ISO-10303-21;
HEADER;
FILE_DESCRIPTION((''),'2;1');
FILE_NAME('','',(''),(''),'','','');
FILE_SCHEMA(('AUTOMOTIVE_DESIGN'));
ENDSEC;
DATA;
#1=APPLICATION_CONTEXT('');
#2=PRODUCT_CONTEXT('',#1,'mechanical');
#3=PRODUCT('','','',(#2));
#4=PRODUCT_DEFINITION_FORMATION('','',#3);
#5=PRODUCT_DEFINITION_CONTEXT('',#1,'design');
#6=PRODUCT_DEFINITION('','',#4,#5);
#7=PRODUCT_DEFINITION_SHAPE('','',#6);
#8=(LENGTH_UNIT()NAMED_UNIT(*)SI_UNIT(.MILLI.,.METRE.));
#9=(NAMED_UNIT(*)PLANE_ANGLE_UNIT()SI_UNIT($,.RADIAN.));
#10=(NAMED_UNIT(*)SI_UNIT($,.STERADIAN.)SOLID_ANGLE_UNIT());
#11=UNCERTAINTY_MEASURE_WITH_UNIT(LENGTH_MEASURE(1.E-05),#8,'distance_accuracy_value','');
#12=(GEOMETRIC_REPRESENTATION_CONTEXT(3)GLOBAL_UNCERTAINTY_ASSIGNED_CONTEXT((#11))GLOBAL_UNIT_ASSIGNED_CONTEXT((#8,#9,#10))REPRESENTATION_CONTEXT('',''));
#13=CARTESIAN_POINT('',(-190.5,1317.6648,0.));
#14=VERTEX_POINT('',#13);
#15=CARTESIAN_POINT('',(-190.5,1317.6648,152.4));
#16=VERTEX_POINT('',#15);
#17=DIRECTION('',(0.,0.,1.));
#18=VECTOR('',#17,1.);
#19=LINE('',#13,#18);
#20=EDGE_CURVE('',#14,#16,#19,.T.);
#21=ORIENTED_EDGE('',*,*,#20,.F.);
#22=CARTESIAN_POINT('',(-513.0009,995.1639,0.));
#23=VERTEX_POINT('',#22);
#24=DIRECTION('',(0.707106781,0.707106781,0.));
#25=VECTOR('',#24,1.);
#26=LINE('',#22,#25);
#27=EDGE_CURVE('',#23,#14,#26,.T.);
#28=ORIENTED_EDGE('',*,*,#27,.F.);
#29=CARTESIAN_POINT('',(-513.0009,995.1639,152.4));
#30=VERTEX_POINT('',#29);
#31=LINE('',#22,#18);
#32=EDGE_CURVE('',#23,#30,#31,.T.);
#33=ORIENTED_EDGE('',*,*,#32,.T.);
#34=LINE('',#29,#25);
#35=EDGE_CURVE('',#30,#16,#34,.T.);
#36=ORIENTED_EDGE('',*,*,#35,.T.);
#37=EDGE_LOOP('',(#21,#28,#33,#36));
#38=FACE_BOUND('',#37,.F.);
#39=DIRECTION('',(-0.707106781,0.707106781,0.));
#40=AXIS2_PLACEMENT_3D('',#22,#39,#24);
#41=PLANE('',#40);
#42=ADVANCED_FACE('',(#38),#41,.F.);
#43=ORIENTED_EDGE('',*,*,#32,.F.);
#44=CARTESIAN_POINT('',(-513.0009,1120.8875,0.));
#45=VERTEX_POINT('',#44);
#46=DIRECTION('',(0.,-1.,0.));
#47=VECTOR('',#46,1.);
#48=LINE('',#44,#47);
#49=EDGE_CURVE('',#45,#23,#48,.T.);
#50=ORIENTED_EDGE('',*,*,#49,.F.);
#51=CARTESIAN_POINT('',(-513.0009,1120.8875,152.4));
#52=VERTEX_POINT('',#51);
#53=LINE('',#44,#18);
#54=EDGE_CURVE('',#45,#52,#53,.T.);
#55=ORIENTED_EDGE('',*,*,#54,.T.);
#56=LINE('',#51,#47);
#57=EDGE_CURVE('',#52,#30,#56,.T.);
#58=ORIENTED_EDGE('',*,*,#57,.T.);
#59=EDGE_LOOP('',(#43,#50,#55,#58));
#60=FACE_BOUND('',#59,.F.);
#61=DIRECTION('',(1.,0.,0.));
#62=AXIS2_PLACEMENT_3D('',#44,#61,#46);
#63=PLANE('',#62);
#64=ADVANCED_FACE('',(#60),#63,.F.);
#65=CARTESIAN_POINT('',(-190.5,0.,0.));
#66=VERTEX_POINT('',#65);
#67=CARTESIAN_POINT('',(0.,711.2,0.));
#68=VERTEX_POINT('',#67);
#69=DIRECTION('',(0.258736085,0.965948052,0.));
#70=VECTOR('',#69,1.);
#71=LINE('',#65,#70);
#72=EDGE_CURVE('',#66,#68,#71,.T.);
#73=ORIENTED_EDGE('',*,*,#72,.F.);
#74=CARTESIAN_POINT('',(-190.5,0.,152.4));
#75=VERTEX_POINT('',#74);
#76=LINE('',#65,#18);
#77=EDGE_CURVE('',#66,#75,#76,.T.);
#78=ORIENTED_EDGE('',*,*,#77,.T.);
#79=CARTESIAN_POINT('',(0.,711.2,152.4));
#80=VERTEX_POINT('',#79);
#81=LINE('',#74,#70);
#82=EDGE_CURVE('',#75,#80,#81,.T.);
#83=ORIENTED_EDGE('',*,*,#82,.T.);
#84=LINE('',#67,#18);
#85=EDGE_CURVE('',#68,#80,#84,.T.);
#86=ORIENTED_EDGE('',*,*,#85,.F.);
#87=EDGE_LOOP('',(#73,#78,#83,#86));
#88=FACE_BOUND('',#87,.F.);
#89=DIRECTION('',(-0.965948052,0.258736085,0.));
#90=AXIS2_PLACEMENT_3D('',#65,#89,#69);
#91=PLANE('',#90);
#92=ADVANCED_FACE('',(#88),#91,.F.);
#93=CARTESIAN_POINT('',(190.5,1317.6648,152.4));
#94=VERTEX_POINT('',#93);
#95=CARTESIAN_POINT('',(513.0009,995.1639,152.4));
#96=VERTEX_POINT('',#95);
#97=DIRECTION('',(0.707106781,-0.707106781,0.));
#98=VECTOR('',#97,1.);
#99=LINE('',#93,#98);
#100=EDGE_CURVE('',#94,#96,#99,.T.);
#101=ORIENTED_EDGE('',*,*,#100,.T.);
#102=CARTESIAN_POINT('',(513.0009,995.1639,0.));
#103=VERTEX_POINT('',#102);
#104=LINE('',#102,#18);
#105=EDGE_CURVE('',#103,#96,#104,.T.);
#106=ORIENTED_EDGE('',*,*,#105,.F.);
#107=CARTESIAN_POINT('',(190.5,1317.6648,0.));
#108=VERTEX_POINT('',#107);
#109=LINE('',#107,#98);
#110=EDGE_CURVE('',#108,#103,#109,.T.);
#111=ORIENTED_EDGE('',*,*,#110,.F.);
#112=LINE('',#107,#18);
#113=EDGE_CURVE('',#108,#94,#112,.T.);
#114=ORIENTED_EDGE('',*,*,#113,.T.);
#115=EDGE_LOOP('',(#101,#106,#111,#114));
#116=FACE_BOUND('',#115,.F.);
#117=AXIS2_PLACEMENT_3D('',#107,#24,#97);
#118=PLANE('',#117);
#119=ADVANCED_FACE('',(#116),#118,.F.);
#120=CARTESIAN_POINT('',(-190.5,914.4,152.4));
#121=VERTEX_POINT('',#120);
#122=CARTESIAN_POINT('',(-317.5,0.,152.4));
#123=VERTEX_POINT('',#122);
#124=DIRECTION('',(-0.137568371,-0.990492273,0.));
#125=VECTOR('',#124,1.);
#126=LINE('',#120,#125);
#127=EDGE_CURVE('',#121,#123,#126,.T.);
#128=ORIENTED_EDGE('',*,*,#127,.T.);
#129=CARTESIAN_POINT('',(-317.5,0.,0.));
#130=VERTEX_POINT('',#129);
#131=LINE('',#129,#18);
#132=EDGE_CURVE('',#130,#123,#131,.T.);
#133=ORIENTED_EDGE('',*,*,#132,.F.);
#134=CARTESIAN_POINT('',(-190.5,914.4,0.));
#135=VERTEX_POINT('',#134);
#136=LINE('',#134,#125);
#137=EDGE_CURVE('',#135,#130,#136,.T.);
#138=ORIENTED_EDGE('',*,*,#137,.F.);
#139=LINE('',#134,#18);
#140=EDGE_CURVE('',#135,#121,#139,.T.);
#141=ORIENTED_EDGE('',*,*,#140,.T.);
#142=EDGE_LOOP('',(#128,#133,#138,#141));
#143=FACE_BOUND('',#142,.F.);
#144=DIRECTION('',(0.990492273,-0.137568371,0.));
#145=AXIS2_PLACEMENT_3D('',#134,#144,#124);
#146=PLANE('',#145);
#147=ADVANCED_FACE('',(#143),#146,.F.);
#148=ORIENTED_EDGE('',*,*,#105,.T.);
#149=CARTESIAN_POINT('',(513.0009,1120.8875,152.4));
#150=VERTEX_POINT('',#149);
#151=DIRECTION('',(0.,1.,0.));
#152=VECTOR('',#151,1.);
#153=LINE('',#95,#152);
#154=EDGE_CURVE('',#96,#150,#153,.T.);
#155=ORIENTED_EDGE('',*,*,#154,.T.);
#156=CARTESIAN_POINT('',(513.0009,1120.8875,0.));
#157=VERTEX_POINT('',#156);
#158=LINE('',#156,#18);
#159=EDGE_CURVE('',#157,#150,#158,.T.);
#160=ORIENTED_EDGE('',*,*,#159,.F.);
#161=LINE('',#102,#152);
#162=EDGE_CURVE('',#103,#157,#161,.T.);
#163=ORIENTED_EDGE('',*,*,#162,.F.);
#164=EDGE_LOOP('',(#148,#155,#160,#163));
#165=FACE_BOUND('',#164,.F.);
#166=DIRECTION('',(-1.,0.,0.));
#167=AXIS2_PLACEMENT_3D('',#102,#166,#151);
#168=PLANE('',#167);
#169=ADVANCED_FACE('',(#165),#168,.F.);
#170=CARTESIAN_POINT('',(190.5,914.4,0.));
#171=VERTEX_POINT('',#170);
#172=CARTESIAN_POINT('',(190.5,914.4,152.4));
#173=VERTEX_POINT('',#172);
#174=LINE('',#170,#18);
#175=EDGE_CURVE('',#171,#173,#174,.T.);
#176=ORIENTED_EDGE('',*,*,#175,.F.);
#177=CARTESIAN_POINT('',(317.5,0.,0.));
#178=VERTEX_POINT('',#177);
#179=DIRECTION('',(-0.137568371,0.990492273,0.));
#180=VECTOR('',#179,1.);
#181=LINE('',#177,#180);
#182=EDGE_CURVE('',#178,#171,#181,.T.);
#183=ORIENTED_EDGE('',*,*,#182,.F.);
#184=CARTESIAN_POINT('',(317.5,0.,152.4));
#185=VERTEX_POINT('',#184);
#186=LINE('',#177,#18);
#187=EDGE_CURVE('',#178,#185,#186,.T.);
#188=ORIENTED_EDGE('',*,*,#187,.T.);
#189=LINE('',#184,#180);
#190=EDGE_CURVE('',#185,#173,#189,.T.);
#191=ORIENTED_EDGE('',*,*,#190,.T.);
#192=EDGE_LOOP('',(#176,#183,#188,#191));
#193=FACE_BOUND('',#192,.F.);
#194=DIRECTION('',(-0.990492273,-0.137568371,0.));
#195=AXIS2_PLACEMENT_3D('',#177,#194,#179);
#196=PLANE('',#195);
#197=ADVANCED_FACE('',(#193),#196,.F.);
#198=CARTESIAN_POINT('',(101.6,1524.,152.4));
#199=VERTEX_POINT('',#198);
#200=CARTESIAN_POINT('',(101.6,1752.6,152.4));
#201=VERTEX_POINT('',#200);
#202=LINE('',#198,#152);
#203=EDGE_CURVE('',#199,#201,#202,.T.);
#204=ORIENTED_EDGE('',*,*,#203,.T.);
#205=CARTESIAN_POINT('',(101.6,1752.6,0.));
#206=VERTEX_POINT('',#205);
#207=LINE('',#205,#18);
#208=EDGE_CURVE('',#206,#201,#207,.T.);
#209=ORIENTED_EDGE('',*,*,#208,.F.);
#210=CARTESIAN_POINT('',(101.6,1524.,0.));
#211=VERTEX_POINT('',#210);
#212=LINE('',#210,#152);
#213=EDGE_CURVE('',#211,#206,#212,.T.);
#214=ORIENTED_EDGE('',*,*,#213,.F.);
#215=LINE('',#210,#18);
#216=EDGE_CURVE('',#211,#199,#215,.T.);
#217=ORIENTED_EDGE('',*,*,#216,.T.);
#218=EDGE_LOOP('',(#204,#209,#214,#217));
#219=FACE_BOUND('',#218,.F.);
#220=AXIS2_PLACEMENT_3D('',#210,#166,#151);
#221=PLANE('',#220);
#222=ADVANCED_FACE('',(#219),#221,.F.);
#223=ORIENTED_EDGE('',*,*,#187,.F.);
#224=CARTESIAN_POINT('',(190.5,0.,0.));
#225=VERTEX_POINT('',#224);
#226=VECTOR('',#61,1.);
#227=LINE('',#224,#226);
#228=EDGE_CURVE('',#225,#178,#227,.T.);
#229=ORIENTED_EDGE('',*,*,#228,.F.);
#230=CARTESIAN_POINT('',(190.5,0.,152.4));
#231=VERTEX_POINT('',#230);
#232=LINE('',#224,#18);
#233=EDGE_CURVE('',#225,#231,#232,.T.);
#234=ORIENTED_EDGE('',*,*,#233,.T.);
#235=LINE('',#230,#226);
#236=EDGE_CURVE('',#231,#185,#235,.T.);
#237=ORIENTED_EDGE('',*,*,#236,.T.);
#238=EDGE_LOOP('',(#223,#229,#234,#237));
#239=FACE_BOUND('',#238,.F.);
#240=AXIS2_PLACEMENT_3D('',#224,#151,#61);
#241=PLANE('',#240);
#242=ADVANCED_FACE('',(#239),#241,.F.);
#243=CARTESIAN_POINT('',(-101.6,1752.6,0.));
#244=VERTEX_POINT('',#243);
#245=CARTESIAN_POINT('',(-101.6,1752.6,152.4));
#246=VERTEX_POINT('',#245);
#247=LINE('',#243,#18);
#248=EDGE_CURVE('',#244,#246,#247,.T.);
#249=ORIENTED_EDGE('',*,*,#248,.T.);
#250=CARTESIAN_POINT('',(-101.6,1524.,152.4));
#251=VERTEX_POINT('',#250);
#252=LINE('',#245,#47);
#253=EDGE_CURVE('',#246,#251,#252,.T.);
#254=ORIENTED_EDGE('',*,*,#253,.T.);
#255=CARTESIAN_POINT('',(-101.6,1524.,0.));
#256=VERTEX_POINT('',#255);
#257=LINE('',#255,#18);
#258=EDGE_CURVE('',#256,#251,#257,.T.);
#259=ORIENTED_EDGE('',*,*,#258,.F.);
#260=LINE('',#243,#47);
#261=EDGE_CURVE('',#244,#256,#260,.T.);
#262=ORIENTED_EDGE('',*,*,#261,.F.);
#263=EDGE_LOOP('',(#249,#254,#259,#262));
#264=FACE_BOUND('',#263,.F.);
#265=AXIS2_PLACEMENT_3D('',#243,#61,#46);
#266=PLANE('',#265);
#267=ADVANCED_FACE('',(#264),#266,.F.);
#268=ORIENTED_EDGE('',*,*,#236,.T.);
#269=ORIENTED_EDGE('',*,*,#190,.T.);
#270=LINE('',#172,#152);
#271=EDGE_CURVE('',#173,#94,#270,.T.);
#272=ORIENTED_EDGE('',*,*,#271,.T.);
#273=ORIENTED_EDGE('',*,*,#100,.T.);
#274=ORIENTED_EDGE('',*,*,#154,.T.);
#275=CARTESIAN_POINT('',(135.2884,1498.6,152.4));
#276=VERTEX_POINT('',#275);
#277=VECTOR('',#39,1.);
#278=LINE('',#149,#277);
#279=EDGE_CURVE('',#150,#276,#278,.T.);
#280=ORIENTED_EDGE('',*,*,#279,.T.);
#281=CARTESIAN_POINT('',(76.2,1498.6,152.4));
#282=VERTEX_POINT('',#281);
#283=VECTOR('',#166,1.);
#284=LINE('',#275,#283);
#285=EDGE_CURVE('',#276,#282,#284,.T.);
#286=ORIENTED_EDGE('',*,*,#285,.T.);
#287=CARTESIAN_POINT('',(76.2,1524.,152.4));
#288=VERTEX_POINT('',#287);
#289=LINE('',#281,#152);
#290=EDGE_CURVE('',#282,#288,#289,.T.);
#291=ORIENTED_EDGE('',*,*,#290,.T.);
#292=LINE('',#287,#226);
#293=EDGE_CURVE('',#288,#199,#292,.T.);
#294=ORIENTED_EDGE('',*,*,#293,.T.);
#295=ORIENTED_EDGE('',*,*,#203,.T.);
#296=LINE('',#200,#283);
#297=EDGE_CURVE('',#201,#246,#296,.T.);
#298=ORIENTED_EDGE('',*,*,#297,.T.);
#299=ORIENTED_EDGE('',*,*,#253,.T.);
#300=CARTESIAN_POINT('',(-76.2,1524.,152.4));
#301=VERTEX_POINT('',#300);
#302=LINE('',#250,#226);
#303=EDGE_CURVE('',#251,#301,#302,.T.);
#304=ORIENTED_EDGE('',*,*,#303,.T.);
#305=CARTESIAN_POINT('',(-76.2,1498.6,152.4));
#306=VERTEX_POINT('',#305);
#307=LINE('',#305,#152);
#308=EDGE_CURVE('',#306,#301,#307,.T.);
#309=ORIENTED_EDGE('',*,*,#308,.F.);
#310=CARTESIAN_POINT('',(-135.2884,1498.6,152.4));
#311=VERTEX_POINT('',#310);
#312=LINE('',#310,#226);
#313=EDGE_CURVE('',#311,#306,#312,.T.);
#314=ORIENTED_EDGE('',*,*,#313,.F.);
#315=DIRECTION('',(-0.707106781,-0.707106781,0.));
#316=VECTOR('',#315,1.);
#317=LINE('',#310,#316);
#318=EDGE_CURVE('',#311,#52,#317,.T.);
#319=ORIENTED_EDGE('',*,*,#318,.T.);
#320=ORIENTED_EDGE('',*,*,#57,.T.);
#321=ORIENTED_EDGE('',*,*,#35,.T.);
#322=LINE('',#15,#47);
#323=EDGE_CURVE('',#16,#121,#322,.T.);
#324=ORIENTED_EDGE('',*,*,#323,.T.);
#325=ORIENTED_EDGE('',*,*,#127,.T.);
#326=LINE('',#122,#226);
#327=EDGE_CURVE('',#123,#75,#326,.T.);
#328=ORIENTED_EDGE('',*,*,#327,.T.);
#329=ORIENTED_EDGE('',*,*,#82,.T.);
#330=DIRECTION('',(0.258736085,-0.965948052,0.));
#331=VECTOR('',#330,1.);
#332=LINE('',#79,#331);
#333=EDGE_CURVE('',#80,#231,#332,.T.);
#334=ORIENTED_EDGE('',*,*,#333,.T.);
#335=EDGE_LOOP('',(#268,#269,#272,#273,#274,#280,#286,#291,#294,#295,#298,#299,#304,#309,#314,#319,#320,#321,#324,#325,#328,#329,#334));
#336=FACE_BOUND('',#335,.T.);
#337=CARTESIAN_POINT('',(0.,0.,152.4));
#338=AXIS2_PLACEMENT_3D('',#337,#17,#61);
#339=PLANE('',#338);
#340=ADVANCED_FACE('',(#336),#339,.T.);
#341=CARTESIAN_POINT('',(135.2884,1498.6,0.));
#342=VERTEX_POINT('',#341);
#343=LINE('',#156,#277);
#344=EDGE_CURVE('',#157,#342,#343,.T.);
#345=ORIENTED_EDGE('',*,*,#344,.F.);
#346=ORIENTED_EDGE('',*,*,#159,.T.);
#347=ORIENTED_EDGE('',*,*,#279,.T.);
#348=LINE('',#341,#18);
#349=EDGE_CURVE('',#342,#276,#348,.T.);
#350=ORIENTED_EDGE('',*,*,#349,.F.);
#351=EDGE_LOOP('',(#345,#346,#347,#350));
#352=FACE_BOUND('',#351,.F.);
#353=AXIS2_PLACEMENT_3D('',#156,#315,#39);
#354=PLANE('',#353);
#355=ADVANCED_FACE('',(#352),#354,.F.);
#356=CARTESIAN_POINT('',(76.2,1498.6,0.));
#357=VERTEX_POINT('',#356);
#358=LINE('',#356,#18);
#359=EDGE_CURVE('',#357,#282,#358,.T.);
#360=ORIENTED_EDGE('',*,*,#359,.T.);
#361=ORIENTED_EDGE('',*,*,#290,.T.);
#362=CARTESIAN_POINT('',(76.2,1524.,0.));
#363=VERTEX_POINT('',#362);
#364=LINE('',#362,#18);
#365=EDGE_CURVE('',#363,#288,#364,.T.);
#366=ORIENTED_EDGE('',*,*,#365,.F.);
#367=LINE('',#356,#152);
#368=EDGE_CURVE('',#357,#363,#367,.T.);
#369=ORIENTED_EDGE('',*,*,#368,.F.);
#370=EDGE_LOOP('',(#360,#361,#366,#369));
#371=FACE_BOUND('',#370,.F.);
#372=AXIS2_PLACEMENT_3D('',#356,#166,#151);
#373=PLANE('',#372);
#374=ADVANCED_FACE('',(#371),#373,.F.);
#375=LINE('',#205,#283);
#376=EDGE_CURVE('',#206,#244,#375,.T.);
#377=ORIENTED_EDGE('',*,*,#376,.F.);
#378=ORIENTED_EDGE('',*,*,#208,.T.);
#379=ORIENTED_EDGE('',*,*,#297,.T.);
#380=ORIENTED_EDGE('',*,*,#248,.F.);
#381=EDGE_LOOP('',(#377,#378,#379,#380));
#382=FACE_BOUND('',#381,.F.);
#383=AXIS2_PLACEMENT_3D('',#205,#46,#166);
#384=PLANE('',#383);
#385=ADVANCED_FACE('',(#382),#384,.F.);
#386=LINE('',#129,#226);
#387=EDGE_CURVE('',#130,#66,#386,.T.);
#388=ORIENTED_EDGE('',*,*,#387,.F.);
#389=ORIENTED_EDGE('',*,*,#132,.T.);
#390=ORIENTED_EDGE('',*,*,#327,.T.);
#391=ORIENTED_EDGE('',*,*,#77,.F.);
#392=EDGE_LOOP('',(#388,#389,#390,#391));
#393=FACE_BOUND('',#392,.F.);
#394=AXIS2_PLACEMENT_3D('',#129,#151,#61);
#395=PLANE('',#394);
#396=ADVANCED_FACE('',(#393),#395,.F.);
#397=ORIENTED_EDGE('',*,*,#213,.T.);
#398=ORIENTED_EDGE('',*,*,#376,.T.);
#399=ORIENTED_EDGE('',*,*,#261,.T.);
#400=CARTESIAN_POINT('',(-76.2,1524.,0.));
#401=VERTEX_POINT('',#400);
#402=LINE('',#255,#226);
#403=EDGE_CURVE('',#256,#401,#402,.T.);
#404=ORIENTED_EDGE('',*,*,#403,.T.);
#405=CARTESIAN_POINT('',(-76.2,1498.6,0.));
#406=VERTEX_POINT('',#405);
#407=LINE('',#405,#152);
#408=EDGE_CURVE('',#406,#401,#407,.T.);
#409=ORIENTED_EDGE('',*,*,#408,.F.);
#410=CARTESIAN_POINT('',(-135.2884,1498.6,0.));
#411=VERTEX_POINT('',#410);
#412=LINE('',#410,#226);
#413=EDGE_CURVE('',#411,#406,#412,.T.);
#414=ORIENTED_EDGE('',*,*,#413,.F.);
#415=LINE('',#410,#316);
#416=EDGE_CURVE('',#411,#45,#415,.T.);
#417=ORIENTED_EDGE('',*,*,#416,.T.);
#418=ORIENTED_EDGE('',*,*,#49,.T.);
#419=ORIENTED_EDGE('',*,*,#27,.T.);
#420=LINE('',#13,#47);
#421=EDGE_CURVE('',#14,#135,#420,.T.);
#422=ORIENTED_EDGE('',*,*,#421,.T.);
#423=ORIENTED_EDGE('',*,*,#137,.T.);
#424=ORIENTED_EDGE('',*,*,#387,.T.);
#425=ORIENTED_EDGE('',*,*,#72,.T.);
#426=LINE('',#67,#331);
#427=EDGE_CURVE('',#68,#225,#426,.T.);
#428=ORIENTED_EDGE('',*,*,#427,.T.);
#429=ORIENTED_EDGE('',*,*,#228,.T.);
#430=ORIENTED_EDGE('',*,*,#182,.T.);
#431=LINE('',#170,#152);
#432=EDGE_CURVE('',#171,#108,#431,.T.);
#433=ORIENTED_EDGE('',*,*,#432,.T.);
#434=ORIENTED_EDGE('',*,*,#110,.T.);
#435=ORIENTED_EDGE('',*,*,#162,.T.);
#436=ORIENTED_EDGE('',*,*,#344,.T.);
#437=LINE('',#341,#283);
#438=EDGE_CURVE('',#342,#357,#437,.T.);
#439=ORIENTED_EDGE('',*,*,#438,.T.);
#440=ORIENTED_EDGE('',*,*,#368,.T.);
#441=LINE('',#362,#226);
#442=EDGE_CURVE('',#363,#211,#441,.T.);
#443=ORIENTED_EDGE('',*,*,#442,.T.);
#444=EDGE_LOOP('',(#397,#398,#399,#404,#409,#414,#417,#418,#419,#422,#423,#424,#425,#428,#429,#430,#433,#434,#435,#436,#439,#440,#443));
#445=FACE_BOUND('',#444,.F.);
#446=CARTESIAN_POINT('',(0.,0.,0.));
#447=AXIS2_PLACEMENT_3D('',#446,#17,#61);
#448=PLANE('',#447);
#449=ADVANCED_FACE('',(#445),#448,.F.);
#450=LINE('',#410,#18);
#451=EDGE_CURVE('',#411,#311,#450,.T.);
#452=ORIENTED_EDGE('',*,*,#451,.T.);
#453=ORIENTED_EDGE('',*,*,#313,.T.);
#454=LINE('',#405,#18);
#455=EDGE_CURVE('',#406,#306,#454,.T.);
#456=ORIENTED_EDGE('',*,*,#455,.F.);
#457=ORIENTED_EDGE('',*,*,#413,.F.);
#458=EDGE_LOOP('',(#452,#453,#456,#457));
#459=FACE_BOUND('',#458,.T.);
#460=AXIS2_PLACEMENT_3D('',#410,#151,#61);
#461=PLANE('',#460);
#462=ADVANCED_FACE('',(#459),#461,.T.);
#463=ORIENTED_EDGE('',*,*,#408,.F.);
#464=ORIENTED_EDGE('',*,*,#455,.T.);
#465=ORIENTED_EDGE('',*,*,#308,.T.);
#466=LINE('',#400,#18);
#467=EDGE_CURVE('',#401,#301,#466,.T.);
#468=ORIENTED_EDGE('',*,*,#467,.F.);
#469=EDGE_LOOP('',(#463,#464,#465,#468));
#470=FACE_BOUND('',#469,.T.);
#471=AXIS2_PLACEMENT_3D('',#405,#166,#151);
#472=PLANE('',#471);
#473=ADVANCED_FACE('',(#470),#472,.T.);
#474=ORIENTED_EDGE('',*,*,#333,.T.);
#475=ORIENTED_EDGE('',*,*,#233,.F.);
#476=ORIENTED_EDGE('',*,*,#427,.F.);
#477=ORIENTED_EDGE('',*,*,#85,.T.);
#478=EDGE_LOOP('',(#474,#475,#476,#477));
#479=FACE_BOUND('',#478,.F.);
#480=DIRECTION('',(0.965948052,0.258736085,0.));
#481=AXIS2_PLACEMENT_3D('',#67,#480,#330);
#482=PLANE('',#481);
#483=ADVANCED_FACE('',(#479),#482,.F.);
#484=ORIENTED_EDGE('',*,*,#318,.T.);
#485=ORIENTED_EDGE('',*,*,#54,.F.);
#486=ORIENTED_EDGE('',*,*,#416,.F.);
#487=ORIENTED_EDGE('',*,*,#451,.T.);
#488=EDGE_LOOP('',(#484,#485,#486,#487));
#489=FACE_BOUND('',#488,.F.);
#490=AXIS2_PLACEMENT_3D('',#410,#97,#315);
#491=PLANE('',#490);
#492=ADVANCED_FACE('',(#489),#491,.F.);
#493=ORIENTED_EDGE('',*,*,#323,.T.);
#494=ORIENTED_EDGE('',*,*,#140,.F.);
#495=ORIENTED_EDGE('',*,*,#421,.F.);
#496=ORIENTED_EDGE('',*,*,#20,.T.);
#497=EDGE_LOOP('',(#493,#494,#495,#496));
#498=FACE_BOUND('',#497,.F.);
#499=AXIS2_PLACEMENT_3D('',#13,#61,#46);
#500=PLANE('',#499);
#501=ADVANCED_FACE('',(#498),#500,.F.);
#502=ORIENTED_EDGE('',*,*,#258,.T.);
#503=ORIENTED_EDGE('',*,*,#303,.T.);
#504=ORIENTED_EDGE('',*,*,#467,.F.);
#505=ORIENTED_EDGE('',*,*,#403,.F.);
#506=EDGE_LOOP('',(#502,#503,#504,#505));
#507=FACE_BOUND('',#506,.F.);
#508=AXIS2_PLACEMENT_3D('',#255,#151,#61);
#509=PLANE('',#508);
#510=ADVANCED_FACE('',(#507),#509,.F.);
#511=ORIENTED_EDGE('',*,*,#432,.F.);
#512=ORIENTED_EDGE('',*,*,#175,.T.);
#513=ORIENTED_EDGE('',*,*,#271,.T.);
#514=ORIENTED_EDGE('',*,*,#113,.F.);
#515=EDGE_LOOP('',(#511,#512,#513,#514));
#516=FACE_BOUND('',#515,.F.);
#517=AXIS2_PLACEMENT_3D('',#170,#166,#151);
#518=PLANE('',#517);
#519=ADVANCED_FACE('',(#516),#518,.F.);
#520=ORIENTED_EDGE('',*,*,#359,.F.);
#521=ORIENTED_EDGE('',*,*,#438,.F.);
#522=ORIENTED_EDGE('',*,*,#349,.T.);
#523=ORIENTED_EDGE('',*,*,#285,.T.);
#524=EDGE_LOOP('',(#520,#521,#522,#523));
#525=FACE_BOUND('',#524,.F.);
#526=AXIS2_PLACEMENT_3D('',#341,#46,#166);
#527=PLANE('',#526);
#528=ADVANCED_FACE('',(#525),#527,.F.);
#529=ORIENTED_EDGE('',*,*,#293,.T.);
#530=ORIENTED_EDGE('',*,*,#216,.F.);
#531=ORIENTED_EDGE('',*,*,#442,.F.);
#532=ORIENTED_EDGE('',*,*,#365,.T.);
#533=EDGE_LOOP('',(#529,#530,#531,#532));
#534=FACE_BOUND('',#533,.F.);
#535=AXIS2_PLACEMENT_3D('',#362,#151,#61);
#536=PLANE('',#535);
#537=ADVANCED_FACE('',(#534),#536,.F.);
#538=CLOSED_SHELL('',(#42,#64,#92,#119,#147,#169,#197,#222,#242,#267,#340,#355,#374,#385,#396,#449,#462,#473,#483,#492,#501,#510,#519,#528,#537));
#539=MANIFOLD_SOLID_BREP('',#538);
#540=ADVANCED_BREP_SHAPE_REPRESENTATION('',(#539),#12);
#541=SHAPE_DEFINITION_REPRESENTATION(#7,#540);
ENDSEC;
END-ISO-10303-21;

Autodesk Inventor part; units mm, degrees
ref_plane "YZ Plane" through (0, 0, 0) normal (1, 0, 0) x (0, 1, 0)
ref_plane "XZ Plane" through (0, 0, 0) normal (0, 1, 0) x (-1, 0, 0)
ref_plane "XY Plane" through (0, 0, 0) normal (0, 0, 1) x (1, 0, 0)
sketch "Sketch1" plane through (0, 0, 0) normal (0, 0, 1) x (1, 0, 0)
  line L0 (101.6, 1752.6) -> (-101.6, 1752.6)
  line L1 (-101.6, 1752.6) -> (-101.6, 1524)
  line L2 (-101.6, 1524) -> (-76.2, 1524)
  line L3 (-135.2884, 1498.6) -> (-513.0009, 1120.8875)
  line L4 (-513.0009, 1120.8875) -> (-513.0009, 995.1639)
  line L5 (-513.0009, 995.1639) -> (-190.5, 1317.6648)
  line L6 (-190.5, 1317.6648) -> (-190.5, 914.4)
  line L7 (190.5, 914.4) -> (190.5, 1317.6648)
  line L8 (190.5, 1317.6648) -> (513.0009, 995.1639)
  line L9 (513.0009, 995.1639) -> (513.0009, 1120.8875)
  line L10 (513.0009, 1120.8875) -> (135.2884, 1498.6)
  line L11 (76.2, 1524) -> (101.6, 1524)
  line L12 (101.6, 1524) -> (101.6, 1752.6)
  line L13 (0, 0) -> (0, 1532.4177)
  line L14 (-135.2884, 1498.6) -> (-76.2, 1498.6)
  line L15 (-76.2, 1498.6) -> (-76.2, 1524)
  line L16 (135.2884, 1498.6) -> (76.2, 1498.6)
  line L17 (76.2, 1498.6) -> (76.2, 1524)
  line L18 (0, 0) -> (-46.4986, 0)
  line L19 (-190.5, 914.4) -> (-190.5, 1317.6648)
  line L20 (-513.0009, 995.1639) -> (-513.0009, 1120.8875)
  line L21 (-135.2884, 1498.6) -> (-76.2, 1498.6)
  line L22 (-76.2, 1524) -> (-101.6, 1524)
  line L23 (-101.6, 1752.6) -> (101.6, 1752.6)
  line L24 (101.6, 1524) -> (76.2, 1524)
  line L25 (76.2, 1498.6) -> (135.2884, 1498.6)
  line L26 (513.0009, 1120.8875) -> (513.0009, 995.1639)
  line L27 (190.5, 1317.6648) -> (190.5, 914.4)
  line L28 (-190.5, 914.4) -> (-317.5, 0)
  line L29 (-317.5, 0) -> (-190.5, 0)
  line L30 (-190.5, 0) -> (0, 711.2)
  line L31 (0, 711.2) -> (190.5, 0)
  line L32 (190.5, 0) -> (317.5, 0)
  line L33 (317.5, 0) -> (190.5, 914.4)
  dimension "d2" = 381
  dimension "d19" = 88.9
  dimension "d23" = 1498.6
  dimension "d24" = 228.6
  dimension "d25" = 203.2
  dimension "d26" = 152.4
  dimension "d27" = 914.4
  dimension "d28" = 711.2
  dimension "d29" = 381
  dimension "d30" = 127
extrude "Extrusion1" add sketch "Sketch1" along normal blind 152.4
properties part number "Human_5ft_9in"
